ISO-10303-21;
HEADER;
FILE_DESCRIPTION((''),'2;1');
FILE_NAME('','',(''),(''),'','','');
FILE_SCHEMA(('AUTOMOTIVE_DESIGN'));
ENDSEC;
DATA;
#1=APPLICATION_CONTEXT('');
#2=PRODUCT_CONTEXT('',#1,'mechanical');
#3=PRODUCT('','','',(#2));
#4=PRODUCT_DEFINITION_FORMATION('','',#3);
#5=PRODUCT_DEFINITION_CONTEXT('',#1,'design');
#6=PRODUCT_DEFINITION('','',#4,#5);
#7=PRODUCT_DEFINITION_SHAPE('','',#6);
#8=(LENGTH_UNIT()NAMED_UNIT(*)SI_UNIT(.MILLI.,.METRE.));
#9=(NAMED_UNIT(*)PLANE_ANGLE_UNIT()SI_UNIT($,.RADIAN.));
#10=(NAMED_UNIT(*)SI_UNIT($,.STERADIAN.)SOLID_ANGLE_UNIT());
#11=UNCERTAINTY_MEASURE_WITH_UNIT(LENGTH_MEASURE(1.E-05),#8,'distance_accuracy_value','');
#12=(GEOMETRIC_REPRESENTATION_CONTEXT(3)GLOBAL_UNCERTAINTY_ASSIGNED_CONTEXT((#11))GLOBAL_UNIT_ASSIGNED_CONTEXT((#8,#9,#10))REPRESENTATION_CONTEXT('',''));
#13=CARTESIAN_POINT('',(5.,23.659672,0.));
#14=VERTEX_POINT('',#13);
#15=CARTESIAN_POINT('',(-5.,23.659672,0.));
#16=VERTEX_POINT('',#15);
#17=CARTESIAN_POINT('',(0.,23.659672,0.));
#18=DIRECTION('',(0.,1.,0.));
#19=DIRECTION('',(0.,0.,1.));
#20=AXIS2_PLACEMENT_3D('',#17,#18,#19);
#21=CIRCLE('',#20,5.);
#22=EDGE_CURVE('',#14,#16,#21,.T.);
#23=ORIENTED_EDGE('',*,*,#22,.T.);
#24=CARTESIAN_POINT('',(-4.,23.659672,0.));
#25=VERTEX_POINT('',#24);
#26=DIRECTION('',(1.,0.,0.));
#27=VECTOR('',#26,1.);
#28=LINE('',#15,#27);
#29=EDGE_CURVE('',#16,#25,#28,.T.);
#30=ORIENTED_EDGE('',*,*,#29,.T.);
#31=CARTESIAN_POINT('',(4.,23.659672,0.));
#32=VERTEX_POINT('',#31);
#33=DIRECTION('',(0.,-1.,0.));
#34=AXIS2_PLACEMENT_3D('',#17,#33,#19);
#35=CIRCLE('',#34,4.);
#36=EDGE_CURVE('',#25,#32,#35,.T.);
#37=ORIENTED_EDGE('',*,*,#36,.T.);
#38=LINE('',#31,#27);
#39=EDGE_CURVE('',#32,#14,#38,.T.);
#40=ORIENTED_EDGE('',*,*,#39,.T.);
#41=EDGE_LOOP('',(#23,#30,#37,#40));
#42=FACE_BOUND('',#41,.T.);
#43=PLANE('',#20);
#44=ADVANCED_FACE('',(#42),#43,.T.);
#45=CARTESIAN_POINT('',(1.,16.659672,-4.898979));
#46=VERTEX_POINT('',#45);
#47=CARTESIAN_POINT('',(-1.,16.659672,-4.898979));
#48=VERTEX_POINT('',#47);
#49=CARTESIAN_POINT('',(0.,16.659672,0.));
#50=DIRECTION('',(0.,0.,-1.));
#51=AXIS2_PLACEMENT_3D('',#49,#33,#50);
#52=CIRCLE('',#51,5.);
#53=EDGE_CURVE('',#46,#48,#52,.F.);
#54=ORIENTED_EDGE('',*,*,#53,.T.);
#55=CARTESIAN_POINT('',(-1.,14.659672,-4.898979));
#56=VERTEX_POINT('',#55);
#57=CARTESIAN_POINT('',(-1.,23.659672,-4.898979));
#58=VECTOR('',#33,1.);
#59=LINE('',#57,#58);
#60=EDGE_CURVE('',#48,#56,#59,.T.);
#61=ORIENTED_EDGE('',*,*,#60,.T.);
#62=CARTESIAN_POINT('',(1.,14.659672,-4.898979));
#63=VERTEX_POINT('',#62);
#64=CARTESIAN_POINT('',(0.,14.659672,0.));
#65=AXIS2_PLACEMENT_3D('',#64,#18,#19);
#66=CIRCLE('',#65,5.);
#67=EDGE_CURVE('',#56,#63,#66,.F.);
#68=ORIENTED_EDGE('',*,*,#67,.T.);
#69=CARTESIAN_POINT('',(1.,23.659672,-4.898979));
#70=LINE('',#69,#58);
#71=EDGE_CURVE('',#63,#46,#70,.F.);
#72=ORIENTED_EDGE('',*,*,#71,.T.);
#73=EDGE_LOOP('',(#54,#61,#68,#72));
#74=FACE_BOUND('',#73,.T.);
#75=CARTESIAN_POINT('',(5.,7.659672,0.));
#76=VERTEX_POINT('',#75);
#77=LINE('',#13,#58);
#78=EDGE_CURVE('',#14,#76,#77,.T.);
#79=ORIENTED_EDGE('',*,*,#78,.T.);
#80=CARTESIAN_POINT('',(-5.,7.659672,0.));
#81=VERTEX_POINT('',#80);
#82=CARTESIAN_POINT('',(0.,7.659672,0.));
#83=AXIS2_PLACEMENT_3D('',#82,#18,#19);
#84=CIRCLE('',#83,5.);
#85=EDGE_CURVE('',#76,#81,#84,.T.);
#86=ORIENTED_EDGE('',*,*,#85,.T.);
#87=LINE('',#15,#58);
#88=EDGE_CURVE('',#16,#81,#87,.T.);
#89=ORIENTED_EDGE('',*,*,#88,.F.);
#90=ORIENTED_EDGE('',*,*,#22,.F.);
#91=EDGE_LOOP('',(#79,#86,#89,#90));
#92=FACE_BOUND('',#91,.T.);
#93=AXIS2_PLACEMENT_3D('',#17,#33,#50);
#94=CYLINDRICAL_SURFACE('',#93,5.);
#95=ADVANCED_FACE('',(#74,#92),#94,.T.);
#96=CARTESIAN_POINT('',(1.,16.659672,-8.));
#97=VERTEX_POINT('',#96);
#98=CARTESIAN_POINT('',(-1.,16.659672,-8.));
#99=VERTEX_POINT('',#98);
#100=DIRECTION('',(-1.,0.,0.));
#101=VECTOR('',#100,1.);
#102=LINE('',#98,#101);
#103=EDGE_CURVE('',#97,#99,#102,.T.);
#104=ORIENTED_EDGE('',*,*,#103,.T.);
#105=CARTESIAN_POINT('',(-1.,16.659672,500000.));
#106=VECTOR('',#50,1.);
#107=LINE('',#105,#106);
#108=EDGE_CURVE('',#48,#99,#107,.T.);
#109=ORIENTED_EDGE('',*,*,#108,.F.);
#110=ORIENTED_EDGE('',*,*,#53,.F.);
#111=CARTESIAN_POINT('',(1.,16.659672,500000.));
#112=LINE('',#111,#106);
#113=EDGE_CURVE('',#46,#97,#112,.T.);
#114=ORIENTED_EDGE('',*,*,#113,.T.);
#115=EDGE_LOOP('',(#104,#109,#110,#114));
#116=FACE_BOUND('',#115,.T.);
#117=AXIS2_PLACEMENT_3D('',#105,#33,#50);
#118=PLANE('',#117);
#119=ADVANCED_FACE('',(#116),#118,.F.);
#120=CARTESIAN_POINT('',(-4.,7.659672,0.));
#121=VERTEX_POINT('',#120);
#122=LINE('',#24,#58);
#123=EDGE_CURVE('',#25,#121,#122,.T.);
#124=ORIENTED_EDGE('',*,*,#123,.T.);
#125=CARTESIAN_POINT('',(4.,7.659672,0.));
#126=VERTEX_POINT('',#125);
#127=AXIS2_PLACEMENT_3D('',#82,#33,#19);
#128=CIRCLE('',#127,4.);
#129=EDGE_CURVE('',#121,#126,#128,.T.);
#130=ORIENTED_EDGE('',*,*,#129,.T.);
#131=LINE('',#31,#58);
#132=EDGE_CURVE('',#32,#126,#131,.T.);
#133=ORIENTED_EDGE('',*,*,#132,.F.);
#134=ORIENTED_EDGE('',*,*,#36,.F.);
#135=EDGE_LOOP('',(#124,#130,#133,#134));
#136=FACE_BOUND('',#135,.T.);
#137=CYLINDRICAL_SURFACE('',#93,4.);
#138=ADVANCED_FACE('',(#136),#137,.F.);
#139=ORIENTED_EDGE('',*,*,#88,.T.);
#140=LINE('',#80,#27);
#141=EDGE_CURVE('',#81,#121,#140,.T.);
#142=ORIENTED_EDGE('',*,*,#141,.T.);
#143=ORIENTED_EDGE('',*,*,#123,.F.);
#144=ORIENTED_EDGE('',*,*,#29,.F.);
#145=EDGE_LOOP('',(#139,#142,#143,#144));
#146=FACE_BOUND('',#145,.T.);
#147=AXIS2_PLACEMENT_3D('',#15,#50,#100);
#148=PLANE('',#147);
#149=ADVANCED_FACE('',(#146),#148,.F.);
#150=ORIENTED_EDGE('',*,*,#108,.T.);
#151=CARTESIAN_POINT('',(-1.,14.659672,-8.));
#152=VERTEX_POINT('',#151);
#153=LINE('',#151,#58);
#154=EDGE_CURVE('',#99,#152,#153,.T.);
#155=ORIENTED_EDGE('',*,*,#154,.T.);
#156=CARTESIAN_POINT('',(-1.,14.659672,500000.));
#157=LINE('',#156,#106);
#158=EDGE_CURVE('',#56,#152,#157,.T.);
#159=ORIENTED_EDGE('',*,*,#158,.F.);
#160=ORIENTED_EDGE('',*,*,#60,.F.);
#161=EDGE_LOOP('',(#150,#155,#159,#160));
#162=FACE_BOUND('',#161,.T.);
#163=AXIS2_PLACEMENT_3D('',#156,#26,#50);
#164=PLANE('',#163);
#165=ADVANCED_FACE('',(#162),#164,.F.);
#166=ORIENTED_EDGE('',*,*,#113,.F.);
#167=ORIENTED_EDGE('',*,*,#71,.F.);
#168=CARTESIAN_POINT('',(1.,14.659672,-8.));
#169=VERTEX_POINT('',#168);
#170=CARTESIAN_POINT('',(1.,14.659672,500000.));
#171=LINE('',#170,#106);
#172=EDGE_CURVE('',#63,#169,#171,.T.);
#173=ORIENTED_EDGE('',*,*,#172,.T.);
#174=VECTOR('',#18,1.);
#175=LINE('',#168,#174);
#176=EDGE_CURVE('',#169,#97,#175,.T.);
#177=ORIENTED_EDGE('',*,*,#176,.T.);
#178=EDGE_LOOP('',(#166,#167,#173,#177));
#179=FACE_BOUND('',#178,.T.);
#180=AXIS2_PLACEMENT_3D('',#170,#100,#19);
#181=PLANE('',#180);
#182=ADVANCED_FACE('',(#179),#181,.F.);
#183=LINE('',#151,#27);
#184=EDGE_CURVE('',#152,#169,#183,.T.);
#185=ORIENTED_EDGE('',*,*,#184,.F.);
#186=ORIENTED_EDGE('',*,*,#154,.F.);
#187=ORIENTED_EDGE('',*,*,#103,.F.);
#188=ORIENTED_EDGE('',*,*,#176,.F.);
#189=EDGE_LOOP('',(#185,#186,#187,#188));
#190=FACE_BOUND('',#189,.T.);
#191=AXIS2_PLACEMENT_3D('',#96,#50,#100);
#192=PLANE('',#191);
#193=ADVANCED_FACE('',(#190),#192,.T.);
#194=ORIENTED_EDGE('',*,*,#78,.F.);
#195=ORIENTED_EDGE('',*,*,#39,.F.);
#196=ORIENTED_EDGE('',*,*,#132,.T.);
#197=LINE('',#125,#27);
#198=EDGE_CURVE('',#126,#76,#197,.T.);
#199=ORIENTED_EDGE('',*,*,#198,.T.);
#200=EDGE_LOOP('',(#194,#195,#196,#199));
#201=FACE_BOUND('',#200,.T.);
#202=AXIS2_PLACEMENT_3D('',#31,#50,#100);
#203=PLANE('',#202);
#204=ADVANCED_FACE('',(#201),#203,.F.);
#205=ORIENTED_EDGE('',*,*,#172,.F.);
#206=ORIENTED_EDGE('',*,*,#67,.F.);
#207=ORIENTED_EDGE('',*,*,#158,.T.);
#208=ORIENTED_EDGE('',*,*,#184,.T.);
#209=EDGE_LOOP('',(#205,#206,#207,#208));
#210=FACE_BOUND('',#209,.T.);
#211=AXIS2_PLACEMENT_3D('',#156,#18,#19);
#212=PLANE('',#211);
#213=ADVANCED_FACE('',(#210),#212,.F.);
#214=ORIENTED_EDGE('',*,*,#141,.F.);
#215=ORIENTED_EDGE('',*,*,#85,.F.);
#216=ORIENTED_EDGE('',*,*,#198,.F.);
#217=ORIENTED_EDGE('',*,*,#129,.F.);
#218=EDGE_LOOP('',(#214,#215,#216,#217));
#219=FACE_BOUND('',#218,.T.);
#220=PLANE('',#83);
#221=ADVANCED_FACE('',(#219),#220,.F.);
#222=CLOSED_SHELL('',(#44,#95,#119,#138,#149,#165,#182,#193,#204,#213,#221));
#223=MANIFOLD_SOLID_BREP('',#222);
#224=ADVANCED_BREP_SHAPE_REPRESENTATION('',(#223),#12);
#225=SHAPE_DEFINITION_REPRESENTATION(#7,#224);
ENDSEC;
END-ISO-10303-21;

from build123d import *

# Parameters (mm, degrees)
BOSS_EXTRU_3_DEPTH      = 16
BOSS_EXTRU_4_REACH      = 27.471
BOSS_EXTRU_4_END_RADIUS = 5
ESQUISSE4_W             = 2
ESQUISSE4_H             = 2


with BuildPart() as part:
    # Esquisse3 → Boss.-Extru.3 (new body)
    with BuildSketch(Plane(origin=(0, 7.659672056, 0), x_dir=(-1, 0, 0), z_dir=(0, 1, 0))):
        with BuildLine():
            Line((-4, 0), (-5, 0))
            ThreePointArc((-5, 0), (0, -5), (5, 0))
            Line((5, 0), (4, 0))
            ThreePointArc((4, 0), (0, -4), (-4, 0))
        make_face()
    extrude(amount=BOSS_EXTRU_3_DEPTH)

    # Boss.-Extru.4: up to this cylinder (the profile starts outside it)
    boss_extru_4_end = Plane(origin=(0, 15.659672, 0), z_dir=(0, -1, 0)) * Cylinder(BOSS_EXTRU_4_END_RADIUS, 65.942, mode=Mode.PRIVATE)
    # Esquisse4 → Boss.-Extru.4 (add, up to the surface)
    with BuildSketch(Plane.XY.offset(-8), mode=Mode.PRIVATE) as boss_extru_4_sk1:
        with Locations((0, 15.659672056)):
            Rectangle(ESQUISSE4_W, ESQUISSE4_H)
    boss_extru_4_tool1 = extrude(boss_extru_4_sk1.sketch, amount=BOSS_EXTRU_4_REACH, mode=Mode.PRIVATE) - boss_extru_4_end
    add(boss_extru_4_tool1.solids().sort_by_distance((0, 15.659672, -8))[0])


solid = part.part
